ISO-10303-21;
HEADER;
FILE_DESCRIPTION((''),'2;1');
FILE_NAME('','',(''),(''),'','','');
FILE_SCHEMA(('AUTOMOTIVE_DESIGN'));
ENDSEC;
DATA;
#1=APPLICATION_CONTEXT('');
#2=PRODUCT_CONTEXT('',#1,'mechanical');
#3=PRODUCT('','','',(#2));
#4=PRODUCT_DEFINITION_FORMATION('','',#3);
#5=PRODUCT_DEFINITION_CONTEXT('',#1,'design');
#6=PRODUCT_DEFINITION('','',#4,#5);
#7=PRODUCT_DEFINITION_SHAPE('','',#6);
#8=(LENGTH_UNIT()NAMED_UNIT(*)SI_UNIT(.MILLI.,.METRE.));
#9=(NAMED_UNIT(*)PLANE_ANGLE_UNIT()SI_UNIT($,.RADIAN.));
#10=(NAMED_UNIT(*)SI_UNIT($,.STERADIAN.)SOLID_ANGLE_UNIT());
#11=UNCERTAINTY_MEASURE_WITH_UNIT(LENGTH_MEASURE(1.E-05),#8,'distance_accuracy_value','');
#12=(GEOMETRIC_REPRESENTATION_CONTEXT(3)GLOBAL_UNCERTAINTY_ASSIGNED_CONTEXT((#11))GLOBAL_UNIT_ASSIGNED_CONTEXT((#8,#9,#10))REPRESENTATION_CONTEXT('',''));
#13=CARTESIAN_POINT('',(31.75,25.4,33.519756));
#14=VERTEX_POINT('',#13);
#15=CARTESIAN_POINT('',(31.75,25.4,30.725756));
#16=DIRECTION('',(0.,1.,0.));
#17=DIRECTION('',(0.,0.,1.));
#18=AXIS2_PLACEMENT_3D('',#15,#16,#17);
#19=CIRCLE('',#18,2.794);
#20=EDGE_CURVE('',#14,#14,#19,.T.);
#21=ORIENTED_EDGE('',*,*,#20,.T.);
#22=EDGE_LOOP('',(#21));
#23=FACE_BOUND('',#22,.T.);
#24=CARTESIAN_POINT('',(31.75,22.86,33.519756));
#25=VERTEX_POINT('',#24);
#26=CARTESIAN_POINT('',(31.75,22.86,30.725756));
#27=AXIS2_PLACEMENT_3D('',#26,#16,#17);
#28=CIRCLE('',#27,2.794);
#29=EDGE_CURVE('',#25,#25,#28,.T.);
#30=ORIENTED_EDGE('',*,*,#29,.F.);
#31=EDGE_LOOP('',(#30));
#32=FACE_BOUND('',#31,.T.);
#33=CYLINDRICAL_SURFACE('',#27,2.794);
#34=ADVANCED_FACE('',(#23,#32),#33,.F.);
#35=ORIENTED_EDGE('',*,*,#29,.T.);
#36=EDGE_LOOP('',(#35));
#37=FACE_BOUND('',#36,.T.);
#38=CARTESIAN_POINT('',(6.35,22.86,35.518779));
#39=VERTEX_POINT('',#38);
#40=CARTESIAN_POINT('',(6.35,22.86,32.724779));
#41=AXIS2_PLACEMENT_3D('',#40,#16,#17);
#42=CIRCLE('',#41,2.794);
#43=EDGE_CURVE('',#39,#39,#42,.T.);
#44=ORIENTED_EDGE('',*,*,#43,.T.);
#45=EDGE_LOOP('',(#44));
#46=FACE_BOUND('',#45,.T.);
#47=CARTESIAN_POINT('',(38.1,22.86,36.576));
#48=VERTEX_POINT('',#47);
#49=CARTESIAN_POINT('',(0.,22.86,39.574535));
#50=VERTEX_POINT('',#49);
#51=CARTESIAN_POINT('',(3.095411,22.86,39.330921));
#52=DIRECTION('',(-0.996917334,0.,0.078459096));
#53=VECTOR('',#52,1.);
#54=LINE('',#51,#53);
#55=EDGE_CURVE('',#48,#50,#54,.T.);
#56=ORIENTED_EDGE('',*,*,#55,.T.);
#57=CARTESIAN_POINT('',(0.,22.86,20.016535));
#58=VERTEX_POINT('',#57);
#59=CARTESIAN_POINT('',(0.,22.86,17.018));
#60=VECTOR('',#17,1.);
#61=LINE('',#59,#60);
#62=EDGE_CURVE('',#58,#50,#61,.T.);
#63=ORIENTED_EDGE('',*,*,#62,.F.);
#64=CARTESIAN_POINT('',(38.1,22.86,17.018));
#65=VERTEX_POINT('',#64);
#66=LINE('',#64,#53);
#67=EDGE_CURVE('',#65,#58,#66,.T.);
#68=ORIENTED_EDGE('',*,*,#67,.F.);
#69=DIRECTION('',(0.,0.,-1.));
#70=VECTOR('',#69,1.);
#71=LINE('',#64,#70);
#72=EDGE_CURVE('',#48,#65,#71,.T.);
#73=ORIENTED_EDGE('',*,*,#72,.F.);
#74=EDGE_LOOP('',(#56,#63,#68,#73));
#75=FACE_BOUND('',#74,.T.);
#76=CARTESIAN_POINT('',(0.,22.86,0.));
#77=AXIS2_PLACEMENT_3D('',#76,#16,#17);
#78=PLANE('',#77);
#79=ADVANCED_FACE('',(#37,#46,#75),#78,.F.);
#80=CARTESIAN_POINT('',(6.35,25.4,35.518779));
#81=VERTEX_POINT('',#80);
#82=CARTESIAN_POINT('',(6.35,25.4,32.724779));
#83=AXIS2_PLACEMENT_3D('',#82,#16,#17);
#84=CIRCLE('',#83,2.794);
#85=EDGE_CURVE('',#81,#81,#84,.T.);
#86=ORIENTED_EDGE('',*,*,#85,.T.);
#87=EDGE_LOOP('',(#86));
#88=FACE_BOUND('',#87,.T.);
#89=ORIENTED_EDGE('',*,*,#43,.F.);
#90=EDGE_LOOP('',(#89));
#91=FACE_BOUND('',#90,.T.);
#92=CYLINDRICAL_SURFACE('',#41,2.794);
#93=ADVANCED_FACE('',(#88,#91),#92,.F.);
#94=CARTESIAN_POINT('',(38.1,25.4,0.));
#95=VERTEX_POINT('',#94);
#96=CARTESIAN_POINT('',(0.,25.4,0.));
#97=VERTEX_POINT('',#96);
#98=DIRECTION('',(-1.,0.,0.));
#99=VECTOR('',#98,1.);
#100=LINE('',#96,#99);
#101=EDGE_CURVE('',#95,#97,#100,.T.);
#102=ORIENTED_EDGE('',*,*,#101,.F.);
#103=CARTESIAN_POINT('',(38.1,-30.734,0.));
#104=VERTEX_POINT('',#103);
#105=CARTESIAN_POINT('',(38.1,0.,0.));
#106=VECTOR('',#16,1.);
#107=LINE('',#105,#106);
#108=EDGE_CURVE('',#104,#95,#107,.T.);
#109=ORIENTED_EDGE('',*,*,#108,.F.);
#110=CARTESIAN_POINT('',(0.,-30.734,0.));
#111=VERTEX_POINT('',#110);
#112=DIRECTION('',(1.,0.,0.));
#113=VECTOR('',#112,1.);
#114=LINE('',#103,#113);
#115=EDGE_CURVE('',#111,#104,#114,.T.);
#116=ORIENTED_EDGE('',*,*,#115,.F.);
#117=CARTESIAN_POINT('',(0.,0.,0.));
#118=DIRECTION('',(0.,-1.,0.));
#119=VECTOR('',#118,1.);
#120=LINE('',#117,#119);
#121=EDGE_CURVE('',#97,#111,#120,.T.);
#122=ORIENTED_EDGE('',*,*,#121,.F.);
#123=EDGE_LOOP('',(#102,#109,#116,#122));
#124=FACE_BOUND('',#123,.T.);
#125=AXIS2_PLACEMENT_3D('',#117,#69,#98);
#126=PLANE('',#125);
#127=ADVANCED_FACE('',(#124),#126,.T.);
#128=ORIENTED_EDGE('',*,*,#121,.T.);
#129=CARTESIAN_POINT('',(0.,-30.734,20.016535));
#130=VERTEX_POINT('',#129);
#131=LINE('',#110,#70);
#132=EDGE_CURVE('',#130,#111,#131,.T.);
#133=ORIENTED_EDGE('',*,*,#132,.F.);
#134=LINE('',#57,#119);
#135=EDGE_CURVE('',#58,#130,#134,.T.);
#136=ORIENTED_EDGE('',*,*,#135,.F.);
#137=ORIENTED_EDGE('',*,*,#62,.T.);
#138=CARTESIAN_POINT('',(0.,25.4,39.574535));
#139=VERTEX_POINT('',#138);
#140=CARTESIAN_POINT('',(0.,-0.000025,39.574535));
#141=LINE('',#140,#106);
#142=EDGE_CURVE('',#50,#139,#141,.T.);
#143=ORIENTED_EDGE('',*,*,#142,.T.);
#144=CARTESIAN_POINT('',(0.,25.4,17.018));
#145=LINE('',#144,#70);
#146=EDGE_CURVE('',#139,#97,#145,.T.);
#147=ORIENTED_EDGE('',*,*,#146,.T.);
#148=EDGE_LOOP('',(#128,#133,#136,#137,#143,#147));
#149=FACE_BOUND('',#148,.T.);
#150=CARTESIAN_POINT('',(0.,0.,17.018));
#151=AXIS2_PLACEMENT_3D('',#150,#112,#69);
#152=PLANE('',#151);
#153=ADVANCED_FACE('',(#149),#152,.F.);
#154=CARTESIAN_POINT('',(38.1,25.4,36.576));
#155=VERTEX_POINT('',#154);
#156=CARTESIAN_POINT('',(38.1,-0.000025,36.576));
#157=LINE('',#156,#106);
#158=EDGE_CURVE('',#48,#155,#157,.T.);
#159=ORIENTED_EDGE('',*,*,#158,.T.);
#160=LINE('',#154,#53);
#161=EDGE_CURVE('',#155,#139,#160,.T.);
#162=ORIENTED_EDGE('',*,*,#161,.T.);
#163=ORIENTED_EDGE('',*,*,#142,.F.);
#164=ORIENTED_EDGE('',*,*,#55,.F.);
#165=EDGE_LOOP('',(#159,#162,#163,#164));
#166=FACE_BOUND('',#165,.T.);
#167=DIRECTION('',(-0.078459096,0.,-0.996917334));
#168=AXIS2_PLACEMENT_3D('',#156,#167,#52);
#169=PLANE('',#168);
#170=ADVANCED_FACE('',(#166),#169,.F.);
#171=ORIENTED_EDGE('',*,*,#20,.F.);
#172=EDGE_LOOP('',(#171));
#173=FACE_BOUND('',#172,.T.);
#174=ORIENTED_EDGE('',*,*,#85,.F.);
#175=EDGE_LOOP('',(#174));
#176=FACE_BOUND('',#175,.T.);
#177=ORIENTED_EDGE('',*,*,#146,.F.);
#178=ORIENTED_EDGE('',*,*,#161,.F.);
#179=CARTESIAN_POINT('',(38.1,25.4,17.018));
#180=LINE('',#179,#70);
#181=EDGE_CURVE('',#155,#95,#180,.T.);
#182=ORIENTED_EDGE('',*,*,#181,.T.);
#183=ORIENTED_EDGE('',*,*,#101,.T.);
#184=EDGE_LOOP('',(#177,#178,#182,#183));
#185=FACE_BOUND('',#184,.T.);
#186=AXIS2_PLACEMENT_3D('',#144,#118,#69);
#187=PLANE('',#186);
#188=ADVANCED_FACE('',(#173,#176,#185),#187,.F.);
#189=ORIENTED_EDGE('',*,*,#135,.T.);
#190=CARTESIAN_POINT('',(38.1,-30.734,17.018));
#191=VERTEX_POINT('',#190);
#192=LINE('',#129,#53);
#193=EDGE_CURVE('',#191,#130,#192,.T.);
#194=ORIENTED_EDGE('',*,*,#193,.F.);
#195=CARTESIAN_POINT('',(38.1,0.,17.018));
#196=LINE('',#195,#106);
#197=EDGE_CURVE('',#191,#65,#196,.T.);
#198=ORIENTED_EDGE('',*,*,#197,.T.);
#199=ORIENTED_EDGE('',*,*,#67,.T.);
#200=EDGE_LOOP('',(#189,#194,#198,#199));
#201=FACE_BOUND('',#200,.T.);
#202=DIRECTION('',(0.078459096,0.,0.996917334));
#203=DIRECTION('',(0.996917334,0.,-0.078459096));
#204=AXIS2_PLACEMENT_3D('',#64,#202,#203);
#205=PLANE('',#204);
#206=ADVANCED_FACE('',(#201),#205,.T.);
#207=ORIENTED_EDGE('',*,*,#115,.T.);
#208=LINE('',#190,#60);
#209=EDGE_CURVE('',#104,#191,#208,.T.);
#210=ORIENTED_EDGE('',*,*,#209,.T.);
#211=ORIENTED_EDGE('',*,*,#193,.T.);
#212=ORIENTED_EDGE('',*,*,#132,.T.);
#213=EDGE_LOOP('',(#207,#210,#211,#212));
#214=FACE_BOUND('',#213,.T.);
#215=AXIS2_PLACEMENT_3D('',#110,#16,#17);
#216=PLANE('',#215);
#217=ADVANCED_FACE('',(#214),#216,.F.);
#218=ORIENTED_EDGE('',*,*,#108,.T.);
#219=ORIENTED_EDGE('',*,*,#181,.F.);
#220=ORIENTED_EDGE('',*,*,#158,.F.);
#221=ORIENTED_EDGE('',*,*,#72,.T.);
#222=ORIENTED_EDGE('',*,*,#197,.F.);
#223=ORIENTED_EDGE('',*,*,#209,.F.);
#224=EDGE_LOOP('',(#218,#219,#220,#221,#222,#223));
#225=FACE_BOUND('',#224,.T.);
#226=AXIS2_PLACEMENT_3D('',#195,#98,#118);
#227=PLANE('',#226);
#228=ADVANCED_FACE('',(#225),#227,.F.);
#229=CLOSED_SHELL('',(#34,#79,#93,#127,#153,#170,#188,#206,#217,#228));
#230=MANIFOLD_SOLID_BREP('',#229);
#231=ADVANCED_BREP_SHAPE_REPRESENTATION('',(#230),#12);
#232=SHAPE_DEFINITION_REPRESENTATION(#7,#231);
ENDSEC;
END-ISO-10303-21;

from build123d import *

# Parameters (mm, degrees)
SKETCH1_W           = 38.1
SKETCH1_H           = 25.4
BOSS_EXTRUDE1_DEPTH = 17.018
SKETCH4_W           = 38.1
SKETCH4_H           = 23.368
SKETCH4_R           = 2.794
BOSS_EXTRUDE2_DEPTH = 2.54
CUT_EXTRUDE1_DEPTH  = 62.055704041
BOSS_EXTRUDE3_DEPTH = 22.86
BOSS_EXTRUDE5_DEPTH = 30.734
SKETCH11_R          = 2.0193
CUT_EXTRUDE3_DEPTH  = 30.734
BOSS_EXTRUDE4_DEPTH = 30.734


with BuildPart() as part:
    # Sketch1 → Boss-Extrude1 (new body)
    with BuildSketch(Plane.XY):
        with Locations((19.05, 12.7)):
            Rectangle(SKETCH1_W, SKETCH1_H)
    extrude(amount=BOSS_EXTRUDE1_DEPTH)

    # Sketch4 → Boss-Extrude2 (add)
    with BuildSketch(Plane(origin=(0, 25.4, 0), x_dir=(1, 0, 0), z_dir=(0, 1, 0))):
        with Locations((19.05, -28.702)):
            Rectangle(SKETCH4_W, SKETCH4_H)
        with Locations(Location((6.35, -32.724779192, 0), (0, 0, 270))):
            Circle(SKETCH4_R, mode=Mode.SUBTRACT)
        with Locations(Location((31.75, -30.725755838, 0), (0, 0, 270))):
            Circle(SKETCH4_R, mode=Mode.SUBTRACT)
    extrude(amount=-BOSS_EXTRUDE2_DEPTH)

    # Sketch5 → Cut-Extrude1 (cut, through all)
    with BuildSketch(Plane(origin=(0, 25.4, 0), x_dir=(1, 0, 0), z_dir=(0, 1, 0))):
        Polygon((38.1, -36.576), (0, -39.57453503), (0, -40.386), (38.1, -40.386), align=None)
    extrude(amount=-CUT_EXTRUDE1_DEPTH, mode=Mode.SUBTRACT)

    # Sketch7 → Boss-Extrude3 (add)
    with BuildSketch(Plane.XZ):
        Polygon((38.1, 17.018), (0, 20.01653503), (0, 17.018), align=None)
    extrude(amount=-BOSS_EXTRUDE3_DEPTH)

    # Sketch10 → Boss-Extrude5 (add)
    with BuildSketch(Plane.XZ):
        Polygon((0, 0), (0, 20.01653503), (38.1, 17.018), (38.1, 0), align=None)
    extrude(amount=BOSS_EXTRUDE5_DEPTH)

    # Sketch11 → Cut-Extrude3 (cut)
    with BuildSketch(Plane(origin=(0, 0, 0), x_dir=(-1, 0, 0), z_dir=(0, 0, -1))):
        with Locations((-25.4, -2.794)):
            Circle(SKETCH11_R)
        with Locations((-12.7, -2.794)):
            Circle(SKETCH11_R)
    extrude(amount=-CUT_EXTRUDE3_DEPTH, mode=Mode.SUBTRACT)

    # Sketch9 → Boss-Extrude4 (add)
    with BuildSketch(Plane.XZ):
        Polygon((0, 0), (38.1, 0), (38.1, 17.018), (0, 20.01653503), align=None)
    extrude(amount=BOSS_EXTRUDE4_DEPTH)


solid = part.part
